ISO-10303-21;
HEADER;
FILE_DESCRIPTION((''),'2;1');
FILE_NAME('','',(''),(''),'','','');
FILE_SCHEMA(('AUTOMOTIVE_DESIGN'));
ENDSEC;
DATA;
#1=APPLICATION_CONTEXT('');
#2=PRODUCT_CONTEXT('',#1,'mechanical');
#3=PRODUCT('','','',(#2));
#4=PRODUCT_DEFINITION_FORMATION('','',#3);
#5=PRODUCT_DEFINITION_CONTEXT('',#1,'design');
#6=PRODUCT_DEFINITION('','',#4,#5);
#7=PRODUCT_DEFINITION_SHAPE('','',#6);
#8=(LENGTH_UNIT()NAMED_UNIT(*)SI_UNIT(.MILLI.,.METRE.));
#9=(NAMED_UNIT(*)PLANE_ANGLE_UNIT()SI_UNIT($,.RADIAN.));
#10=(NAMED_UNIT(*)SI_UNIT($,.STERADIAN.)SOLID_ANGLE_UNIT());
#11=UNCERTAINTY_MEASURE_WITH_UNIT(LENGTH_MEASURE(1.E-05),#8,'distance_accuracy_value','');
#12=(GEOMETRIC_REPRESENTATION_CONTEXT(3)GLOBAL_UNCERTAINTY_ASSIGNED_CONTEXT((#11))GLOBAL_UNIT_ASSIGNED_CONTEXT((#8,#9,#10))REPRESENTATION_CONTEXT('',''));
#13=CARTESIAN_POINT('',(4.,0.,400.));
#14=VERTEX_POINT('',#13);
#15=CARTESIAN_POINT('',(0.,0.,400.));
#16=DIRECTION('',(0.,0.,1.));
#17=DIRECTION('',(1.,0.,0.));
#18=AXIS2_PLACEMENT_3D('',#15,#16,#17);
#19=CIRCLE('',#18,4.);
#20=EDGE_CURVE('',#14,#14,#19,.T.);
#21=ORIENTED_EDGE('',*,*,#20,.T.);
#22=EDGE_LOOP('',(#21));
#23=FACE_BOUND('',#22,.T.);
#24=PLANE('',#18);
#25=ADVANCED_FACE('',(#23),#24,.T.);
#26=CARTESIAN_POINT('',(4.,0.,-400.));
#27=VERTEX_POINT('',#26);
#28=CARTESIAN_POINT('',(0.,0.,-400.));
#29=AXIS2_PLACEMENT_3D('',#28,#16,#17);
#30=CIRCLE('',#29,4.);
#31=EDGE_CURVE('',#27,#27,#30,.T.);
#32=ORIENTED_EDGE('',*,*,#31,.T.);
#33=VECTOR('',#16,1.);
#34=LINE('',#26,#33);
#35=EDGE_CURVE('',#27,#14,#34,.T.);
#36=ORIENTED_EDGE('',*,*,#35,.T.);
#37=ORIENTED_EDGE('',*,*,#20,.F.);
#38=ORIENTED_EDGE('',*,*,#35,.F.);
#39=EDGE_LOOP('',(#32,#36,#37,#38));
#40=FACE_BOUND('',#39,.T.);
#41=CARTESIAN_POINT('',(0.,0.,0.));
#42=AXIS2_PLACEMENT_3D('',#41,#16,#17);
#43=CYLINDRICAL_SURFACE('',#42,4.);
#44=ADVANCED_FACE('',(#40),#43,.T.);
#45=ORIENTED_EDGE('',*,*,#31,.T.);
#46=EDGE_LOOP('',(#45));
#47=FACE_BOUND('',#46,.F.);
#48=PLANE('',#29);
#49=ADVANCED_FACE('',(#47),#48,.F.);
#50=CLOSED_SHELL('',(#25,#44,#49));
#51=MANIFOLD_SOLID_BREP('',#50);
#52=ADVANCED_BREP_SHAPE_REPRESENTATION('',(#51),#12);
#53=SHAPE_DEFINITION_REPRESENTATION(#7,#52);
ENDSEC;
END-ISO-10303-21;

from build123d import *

# Parameters (mm, degrees)
SKETCH1_R           = 4
BOSS_EXTRUDE1_DEPTH = 400


with BuildPart() as part:
    # Sketch1 → Boss-Extrude1 (new body, symmetric)
    with BuildSketch(Plane.XY):
        Circle(SKETCH1_R)
    extrude(amount=BOSS_EXTRUDE1_DEPTH, both=True)


solid = part.part
